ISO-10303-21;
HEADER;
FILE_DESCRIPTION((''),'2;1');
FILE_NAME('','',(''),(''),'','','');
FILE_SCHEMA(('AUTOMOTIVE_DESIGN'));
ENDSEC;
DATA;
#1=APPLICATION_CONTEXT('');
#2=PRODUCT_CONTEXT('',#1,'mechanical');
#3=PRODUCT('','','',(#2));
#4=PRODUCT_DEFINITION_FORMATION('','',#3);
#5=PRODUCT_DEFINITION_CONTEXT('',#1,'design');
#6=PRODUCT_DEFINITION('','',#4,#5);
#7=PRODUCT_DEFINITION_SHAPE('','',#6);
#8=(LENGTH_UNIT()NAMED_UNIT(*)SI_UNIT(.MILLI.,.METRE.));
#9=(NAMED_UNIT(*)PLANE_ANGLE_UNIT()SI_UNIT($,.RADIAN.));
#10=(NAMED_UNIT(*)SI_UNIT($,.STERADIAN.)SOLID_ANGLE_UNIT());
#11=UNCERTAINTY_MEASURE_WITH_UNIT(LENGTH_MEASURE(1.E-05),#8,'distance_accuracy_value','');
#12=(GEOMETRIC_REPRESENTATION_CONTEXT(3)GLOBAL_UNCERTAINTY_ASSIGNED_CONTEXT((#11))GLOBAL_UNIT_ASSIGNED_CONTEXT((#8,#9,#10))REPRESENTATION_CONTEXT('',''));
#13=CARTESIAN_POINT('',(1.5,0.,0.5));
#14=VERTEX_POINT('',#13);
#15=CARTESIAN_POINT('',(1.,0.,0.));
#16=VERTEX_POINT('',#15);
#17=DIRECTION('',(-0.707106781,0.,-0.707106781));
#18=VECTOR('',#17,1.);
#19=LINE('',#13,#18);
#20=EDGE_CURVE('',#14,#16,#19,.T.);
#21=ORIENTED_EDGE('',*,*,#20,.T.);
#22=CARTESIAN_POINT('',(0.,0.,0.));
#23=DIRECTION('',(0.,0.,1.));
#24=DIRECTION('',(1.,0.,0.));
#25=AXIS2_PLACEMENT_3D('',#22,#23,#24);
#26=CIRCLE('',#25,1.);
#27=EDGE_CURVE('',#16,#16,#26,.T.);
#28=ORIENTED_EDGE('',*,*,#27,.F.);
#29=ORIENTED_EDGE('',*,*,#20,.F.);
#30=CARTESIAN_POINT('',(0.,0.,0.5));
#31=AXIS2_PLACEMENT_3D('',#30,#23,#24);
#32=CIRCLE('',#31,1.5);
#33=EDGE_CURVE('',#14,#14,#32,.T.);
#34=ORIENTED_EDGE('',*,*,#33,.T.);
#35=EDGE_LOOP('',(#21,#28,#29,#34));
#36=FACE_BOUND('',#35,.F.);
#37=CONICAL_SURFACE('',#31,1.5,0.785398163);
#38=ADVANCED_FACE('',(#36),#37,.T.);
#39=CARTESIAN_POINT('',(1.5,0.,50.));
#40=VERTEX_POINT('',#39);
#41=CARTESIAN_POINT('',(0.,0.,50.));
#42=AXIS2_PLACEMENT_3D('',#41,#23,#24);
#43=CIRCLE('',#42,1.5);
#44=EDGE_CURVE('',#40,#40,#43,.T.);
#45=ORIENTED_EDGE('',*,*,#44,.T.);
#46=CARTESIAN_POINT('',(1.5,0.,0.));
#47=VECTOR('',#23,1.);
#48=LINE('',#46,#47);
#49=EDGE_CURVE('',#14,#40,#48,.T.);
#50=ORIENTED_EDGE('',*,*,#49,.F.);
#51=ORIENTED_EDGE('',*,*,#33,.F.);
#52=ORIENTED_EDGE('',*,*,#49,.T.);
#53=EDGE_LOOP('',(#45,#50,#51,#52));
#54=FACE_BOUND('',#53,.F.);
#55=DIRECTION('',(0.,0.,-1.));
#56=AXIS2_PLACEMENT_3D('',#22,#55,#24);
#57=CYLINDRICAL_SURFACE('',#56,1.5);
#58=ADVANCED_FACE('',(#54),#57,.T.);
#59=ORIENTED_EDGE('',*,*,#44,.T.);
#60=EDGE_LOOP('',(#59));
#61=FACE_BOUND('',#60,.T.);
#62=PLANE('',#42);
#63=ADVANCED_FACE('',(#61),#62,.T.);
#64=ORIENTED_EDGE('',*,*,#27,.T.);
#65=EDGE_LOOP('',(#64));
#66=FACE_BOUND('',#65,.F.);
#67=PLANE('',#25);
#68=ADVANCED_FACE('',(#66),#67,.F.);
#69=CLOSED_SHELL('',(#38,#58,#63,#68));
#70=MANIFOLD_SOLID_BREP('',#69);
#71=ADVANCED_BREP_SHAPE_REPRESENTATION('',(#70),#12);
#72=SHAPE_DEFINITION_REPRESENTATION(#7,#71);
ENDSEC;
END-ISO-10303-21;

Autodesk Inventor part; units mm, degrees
ref_plane "YZ Plane" through (0, 0, 0) normal (1, 0, 0) x (0, 1, 0)
ref_plane "XZ Plane" through (0, 0, 0) normal (0, 1, 0) x (-1, 0, 0)
ref_plane "XY Plane" through (0, 0, 0) normal (0, 0, 1) x (1, 0, 0)
sketch "Sketch1" plane through (0, 0, 0) normal (0, 0, 1) x (1, 0, 0)
  circle A0 centre (0, 0) radius 1.5
  dimension "d0" = 3
extrude "Extrusion1" add sketch "Sketch1" along normal blind 50
chamfer "Chamfer1" distance 0.5 angle 45 1 edges at (-1.5, 0, 0)
properties part number "z_threaded_shaft"
